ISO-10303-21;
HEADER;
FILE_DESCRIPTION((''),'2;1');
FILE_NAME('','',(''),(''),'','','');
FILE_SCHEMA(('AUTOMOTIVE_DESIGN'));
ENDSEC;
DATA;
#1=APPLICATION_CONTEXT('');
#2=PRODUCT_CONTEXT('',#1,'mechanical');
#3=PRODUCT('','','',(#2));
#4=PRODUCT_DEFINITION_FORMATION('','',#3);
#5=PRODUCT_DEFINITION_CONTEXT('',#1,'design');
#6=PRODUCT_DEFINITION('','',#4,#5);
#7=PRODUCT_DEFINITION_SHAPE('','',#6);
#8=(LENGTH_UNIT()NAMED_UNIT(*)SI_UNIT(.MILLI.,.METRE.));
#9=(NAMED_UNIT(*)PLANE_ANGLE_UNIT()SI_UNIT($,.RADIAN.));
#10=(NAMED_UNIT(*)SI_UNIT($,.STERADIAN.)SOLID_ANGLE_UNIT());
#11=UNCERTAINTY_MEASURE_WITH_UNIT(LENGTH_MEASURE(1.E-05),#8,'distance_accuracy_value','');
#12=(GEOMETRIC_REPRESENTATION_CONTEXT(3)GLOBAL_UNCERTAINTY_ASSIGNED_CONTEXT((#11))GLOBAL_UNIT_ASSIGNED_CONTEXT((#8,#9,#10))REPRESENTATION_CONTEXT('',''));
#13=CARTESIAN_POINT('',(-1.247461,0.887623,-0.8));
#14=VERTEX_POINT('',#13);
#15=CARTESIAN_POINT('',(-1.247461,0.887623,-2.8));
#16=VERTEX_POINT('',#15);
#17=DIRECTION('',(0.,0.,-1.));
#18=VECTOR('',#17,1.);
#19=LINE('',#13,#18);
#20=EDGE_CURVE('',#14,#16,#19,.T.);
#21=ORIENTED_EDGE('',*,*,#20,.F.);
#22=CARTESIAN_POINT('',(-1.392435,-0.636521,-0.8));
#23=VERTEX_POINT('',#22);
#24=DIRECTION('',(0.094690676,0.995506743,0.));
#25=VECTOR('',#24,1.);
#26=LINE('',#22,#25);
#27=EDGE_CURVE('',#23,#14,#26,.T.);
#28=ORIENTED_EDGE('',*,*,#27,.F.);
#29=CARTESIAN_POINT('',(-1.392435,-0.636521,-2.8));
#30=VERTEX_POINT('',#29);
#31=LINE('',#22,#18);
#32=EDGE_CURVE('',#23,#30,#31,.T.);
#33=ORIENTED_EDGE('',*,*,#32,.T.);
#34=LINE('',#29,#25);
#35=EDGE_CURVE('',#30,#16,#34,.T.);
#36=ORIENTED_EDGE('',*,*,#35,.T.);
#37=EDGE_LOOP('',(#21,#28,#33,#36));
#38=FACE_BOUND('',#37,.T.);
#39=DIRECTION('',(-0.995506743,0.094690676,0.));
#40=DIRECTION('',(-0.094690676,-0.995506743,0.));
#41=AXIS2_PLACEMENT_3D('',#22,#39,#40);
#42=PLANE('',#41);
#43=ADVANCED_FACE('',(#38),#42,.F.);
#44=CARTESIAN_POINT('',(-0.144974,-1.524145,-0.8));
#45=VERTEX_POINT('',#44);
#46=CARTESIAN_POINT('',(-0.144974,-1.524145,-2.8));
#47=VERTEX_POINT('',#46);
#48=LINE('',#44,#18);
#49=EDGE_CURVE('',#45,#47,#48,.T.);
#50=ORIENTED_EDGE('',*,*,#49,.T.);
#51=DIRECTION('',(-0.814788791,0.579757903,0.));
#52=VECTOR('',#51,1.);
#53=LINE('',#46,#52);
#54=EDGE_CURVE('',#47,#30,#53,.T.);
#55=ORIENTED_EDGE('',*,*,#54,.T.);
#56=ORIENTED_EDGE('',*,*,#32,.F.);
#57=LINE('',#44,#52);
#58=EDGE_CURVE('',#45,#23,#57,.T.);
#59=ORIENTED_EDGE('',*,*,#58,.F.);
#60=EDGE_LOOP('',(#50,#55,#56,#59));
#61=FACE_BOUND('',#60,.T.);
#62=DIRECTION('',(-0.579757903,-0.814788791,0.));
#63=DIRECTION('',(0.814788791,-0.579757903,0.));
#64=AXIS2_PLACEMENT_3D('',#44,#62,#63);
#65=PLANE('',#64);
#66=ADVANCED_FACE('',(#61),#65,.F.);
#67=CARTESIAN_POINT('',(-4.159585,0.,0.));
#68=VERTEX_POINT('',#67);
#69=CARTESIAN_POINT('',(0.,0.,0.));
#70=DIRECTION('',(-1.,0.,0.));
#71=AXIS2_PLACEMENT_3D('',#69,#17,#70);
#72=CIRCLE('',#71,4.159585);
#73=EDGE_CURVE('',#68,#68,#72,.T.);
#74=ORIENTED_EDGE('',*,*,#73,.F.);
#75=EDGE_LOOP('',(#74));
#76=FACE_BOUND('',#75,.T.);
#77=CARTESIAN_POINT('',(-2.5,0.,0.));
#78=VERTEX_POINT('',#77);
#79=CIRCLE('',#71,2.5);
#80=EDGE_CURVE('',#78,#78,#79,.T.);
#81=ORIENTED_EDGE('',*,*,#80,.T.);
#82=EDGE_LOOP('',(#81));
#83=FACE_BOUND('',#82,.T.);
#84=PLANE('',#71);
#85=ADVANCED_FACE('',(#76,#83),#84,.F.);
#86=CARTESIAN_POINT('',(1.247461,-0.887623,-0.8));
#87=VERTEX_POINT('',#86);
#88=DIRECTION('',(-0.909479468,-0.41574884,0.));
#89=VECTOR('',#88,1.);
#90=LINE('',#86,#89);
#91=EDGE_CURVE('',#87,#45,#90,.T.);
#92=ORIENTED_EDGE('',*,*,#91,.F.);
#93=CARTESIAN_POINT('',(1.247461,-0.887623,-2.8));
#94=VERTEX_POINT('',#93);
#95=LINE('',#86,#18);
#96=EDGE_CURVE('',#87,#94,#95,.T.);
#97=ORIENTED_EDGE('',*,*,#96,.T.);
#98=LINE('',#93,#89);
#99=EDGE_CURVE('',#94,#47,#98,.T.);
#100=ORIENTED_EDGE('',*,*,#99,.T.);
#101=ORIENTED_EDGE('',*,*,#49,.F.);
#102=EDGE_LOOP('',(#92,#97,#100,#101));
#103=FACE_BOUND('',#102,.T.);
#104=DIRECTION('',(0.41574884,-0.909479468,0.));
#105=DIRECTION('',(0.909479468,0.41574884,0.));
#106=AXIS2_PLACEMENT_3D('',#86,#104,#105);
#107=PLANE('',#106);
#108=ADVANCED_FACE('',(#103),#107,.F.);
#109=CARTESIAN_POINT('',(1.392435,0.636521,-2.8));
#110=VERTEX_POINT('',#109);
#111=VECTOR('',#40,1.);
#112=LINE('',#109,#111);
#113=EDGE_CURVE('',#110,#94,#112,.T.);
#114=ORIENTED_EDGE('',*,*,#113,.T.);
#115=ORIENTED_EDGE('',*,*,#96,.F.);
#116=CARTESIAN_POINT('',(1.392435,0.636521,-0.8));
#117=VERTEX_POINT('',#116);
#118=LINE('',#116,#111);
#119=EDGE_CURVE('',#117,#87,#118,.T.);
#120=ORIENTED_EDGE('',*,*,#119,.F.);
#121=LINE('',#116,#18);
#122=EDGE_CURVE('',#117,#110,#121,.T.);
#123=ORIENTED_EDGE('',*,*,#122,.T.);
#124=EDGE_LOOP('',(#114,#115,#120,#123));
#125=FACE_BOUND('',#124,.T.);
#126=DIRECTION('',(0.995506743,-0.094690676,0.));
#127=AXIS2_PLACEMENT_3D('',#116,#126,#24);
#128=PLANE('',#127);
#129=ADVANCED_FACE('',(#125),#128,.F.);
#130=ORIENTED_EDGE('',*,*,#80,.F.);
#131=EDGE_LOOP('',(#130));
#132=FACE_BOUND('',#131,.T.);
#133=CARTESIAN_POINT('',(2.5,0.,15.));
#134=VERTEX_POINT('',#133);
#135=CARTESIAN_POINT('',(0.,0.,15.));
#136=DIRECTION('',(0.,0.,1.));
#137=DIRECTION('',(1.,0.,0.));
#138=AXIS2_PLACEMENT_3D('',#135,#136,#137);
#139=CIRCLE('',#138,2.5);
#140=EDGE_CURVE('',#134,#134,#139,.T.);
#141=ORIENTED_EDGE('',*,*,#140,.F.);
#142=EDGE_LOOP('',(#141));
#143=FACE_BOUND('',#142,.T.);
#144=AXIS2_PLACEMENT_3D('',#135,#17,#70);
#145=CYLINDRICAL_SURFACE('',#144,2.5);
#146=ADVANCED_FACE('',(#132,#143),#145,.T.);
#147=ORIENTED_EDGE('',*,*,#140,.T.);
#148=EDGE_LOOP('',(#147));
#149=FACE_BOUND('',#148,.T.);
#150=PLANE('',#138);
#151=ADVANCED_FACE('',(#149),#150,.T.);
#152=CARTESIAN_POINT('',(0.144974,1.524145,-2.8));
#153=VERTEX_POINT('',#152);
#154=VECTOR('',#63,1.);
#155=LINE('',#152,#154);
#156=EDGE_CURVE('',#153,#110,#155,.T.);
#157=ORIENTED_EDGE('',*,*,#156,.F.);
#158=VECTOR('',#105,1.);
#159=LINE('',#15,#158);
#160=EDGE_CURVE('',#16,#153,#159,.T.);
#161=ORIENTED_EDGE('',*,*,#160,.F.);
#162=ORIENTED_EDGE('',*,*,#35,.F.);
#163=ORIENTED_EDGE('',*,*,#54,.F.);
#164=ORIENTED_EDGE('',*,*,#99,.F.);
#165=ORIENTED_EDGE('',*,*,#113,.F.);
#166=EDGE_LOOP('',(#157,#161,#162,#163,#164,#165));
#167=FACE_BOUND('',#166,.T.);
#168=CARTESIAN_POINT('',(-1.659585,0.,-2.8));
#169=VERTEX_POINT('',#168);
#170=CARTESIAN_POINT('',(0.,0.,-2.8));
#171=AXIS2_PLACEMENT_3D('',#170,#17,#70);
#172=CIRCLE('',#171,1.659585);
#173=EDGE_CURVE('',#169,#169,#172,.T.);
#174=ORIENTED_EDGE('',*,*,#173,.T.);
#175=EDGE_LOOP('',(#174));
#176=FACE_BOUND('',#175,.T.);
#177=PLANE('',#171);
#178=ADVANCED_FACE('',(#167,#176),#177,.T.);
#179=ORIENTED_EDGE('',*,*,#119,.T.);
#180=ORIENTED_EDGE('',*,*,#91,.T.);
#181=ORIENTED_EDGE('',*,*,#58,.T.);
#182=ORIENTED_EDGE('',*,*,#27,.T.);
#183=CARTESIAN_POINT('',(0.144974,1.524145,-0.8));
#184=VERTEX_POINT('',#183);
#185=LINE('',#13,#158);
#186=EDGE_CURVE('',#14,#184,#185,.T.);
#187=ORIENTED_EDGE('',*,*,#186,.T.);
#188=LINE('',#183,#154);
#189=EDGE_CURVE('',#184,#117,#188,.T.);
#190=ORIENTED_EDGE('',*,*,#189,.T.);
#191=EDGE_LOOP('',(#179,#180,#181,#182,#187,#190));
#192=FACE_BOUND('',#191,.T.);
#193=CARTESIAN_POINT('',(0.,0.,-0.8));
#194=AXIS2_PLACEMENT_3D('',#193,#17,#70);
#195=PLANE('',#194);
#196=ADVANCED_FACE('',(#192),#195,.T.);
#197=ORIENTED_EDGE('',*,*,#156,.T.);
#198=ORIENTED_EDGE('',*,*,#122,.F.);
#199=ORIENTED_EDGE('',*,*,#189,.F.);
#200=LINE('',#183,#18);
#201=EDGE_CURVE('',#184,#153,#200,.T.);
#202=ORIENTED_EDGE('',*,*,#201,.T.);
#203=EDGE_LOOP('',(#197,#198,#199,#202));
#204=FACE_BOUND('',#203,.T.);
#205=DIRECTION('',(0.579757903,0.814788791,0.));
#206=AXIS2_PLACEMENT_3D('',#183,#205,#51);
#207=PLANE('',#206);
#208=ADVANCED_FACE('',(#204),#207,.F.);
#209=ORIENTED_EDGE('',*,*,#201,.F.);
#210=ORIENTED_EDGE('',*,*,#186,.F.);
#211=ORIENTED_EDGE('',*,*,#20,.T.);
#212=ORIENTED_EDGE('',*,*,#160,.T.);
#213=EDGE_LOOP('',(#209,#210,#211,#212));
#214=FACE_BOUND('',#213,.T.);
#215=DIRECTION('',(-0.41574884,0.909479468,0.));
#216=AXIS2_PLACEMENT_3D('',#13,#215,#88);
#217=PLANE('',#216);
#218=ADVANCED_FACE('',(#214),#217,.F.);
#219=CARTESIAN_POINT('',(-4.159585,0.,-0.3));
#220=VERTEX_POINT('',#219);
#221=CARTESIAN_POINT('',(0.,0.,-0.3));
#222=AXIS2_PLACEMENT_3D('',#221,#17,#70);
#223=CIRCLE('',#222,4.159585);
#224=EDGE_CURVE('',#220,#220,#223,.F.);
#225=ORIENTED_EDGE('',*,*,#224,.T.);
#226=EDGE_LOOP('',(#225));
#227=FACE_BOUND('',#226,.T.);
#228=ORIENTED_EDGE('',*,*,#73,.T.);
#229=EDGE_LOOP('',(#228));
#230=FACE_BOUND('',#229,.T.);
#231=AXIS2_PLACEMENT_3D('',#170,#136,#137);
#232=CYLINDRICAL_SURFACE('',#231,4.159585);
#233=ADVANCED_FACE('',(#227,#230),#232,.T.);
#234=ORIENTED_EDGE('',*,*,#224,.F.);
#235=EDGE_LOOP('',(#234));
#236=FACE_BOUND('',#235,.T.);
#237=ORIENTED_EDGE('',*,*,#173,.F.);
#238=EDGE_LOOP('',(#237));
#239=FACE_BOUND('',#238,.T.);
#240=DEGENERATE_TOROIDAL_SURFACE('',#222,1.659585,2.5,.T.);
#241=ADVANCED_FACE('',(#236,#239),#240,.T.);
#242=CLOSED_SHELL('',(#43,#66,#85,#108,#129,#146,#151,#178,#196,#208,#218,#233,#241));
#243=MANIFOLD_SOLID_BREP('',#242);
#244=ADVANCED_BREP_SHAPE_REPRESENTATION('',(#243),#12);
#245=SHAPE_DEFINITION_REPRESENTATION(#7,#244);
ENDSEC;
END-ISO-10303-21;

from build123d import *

# Parameters (mm, degrees)
SKETCH1_R           = 2.5
BOSS_EXTRUDE1_DEPTH = 15
SKETCH2_R           = 4.159584877
BOSS_EXTRUDE2_DEPTH = 2.8
FILLET1_R           = 2.5
CUT_EXTRUDE1_DEPTH  = 2


with BuildPart() as part:
    # Sketch1 → Boss-Extrude1 (new body)
    with BuildSketch(Plane.XY):
        Circle(SKETCH1_R)
    extrude(amount=BOSS_EXTRUDE1_DEPTH)

    # Sketch2 → Boss-Extrude2 (add)
    with BuildSketch(Plane(origin=(0, 0, 0), x_dir=(-1, 0, 0), z_dir=(0, 0, -1))):
        Circle(SKETCH2_R)
    extrude(amount=BOSS_EXTRUDE2_DEPTH)

    # Fillet1
    fillet1_edges = [part.edges().sort_by_distance(p)[0] for p in [
        (4.159584877, 0, -2.8),
    ]]
    fillet(fillet1_edges, radius=FILLET1_R)

    # Sketch3 → Cut-Extrude1 (cut)
    with BuildSketch(Plane(origin=(0, 0, -2.8), x_dir=(-1, 0, 0), z_dir=(0, 0, -1))):
        Polygon((1.392434699, -0.636521364), (1.247461021, 0.88762314), (-0.144973678, 1.524144504), (-1.392434699, 0.636521364), (-1.247461021, -0.88762314), (0.144973678, -1.524144504), align=None)
    extrude(amount=-CUT_EXTRUDE1_DEPTH, mode=Mode.SUBTRACT)


solid = part.part
